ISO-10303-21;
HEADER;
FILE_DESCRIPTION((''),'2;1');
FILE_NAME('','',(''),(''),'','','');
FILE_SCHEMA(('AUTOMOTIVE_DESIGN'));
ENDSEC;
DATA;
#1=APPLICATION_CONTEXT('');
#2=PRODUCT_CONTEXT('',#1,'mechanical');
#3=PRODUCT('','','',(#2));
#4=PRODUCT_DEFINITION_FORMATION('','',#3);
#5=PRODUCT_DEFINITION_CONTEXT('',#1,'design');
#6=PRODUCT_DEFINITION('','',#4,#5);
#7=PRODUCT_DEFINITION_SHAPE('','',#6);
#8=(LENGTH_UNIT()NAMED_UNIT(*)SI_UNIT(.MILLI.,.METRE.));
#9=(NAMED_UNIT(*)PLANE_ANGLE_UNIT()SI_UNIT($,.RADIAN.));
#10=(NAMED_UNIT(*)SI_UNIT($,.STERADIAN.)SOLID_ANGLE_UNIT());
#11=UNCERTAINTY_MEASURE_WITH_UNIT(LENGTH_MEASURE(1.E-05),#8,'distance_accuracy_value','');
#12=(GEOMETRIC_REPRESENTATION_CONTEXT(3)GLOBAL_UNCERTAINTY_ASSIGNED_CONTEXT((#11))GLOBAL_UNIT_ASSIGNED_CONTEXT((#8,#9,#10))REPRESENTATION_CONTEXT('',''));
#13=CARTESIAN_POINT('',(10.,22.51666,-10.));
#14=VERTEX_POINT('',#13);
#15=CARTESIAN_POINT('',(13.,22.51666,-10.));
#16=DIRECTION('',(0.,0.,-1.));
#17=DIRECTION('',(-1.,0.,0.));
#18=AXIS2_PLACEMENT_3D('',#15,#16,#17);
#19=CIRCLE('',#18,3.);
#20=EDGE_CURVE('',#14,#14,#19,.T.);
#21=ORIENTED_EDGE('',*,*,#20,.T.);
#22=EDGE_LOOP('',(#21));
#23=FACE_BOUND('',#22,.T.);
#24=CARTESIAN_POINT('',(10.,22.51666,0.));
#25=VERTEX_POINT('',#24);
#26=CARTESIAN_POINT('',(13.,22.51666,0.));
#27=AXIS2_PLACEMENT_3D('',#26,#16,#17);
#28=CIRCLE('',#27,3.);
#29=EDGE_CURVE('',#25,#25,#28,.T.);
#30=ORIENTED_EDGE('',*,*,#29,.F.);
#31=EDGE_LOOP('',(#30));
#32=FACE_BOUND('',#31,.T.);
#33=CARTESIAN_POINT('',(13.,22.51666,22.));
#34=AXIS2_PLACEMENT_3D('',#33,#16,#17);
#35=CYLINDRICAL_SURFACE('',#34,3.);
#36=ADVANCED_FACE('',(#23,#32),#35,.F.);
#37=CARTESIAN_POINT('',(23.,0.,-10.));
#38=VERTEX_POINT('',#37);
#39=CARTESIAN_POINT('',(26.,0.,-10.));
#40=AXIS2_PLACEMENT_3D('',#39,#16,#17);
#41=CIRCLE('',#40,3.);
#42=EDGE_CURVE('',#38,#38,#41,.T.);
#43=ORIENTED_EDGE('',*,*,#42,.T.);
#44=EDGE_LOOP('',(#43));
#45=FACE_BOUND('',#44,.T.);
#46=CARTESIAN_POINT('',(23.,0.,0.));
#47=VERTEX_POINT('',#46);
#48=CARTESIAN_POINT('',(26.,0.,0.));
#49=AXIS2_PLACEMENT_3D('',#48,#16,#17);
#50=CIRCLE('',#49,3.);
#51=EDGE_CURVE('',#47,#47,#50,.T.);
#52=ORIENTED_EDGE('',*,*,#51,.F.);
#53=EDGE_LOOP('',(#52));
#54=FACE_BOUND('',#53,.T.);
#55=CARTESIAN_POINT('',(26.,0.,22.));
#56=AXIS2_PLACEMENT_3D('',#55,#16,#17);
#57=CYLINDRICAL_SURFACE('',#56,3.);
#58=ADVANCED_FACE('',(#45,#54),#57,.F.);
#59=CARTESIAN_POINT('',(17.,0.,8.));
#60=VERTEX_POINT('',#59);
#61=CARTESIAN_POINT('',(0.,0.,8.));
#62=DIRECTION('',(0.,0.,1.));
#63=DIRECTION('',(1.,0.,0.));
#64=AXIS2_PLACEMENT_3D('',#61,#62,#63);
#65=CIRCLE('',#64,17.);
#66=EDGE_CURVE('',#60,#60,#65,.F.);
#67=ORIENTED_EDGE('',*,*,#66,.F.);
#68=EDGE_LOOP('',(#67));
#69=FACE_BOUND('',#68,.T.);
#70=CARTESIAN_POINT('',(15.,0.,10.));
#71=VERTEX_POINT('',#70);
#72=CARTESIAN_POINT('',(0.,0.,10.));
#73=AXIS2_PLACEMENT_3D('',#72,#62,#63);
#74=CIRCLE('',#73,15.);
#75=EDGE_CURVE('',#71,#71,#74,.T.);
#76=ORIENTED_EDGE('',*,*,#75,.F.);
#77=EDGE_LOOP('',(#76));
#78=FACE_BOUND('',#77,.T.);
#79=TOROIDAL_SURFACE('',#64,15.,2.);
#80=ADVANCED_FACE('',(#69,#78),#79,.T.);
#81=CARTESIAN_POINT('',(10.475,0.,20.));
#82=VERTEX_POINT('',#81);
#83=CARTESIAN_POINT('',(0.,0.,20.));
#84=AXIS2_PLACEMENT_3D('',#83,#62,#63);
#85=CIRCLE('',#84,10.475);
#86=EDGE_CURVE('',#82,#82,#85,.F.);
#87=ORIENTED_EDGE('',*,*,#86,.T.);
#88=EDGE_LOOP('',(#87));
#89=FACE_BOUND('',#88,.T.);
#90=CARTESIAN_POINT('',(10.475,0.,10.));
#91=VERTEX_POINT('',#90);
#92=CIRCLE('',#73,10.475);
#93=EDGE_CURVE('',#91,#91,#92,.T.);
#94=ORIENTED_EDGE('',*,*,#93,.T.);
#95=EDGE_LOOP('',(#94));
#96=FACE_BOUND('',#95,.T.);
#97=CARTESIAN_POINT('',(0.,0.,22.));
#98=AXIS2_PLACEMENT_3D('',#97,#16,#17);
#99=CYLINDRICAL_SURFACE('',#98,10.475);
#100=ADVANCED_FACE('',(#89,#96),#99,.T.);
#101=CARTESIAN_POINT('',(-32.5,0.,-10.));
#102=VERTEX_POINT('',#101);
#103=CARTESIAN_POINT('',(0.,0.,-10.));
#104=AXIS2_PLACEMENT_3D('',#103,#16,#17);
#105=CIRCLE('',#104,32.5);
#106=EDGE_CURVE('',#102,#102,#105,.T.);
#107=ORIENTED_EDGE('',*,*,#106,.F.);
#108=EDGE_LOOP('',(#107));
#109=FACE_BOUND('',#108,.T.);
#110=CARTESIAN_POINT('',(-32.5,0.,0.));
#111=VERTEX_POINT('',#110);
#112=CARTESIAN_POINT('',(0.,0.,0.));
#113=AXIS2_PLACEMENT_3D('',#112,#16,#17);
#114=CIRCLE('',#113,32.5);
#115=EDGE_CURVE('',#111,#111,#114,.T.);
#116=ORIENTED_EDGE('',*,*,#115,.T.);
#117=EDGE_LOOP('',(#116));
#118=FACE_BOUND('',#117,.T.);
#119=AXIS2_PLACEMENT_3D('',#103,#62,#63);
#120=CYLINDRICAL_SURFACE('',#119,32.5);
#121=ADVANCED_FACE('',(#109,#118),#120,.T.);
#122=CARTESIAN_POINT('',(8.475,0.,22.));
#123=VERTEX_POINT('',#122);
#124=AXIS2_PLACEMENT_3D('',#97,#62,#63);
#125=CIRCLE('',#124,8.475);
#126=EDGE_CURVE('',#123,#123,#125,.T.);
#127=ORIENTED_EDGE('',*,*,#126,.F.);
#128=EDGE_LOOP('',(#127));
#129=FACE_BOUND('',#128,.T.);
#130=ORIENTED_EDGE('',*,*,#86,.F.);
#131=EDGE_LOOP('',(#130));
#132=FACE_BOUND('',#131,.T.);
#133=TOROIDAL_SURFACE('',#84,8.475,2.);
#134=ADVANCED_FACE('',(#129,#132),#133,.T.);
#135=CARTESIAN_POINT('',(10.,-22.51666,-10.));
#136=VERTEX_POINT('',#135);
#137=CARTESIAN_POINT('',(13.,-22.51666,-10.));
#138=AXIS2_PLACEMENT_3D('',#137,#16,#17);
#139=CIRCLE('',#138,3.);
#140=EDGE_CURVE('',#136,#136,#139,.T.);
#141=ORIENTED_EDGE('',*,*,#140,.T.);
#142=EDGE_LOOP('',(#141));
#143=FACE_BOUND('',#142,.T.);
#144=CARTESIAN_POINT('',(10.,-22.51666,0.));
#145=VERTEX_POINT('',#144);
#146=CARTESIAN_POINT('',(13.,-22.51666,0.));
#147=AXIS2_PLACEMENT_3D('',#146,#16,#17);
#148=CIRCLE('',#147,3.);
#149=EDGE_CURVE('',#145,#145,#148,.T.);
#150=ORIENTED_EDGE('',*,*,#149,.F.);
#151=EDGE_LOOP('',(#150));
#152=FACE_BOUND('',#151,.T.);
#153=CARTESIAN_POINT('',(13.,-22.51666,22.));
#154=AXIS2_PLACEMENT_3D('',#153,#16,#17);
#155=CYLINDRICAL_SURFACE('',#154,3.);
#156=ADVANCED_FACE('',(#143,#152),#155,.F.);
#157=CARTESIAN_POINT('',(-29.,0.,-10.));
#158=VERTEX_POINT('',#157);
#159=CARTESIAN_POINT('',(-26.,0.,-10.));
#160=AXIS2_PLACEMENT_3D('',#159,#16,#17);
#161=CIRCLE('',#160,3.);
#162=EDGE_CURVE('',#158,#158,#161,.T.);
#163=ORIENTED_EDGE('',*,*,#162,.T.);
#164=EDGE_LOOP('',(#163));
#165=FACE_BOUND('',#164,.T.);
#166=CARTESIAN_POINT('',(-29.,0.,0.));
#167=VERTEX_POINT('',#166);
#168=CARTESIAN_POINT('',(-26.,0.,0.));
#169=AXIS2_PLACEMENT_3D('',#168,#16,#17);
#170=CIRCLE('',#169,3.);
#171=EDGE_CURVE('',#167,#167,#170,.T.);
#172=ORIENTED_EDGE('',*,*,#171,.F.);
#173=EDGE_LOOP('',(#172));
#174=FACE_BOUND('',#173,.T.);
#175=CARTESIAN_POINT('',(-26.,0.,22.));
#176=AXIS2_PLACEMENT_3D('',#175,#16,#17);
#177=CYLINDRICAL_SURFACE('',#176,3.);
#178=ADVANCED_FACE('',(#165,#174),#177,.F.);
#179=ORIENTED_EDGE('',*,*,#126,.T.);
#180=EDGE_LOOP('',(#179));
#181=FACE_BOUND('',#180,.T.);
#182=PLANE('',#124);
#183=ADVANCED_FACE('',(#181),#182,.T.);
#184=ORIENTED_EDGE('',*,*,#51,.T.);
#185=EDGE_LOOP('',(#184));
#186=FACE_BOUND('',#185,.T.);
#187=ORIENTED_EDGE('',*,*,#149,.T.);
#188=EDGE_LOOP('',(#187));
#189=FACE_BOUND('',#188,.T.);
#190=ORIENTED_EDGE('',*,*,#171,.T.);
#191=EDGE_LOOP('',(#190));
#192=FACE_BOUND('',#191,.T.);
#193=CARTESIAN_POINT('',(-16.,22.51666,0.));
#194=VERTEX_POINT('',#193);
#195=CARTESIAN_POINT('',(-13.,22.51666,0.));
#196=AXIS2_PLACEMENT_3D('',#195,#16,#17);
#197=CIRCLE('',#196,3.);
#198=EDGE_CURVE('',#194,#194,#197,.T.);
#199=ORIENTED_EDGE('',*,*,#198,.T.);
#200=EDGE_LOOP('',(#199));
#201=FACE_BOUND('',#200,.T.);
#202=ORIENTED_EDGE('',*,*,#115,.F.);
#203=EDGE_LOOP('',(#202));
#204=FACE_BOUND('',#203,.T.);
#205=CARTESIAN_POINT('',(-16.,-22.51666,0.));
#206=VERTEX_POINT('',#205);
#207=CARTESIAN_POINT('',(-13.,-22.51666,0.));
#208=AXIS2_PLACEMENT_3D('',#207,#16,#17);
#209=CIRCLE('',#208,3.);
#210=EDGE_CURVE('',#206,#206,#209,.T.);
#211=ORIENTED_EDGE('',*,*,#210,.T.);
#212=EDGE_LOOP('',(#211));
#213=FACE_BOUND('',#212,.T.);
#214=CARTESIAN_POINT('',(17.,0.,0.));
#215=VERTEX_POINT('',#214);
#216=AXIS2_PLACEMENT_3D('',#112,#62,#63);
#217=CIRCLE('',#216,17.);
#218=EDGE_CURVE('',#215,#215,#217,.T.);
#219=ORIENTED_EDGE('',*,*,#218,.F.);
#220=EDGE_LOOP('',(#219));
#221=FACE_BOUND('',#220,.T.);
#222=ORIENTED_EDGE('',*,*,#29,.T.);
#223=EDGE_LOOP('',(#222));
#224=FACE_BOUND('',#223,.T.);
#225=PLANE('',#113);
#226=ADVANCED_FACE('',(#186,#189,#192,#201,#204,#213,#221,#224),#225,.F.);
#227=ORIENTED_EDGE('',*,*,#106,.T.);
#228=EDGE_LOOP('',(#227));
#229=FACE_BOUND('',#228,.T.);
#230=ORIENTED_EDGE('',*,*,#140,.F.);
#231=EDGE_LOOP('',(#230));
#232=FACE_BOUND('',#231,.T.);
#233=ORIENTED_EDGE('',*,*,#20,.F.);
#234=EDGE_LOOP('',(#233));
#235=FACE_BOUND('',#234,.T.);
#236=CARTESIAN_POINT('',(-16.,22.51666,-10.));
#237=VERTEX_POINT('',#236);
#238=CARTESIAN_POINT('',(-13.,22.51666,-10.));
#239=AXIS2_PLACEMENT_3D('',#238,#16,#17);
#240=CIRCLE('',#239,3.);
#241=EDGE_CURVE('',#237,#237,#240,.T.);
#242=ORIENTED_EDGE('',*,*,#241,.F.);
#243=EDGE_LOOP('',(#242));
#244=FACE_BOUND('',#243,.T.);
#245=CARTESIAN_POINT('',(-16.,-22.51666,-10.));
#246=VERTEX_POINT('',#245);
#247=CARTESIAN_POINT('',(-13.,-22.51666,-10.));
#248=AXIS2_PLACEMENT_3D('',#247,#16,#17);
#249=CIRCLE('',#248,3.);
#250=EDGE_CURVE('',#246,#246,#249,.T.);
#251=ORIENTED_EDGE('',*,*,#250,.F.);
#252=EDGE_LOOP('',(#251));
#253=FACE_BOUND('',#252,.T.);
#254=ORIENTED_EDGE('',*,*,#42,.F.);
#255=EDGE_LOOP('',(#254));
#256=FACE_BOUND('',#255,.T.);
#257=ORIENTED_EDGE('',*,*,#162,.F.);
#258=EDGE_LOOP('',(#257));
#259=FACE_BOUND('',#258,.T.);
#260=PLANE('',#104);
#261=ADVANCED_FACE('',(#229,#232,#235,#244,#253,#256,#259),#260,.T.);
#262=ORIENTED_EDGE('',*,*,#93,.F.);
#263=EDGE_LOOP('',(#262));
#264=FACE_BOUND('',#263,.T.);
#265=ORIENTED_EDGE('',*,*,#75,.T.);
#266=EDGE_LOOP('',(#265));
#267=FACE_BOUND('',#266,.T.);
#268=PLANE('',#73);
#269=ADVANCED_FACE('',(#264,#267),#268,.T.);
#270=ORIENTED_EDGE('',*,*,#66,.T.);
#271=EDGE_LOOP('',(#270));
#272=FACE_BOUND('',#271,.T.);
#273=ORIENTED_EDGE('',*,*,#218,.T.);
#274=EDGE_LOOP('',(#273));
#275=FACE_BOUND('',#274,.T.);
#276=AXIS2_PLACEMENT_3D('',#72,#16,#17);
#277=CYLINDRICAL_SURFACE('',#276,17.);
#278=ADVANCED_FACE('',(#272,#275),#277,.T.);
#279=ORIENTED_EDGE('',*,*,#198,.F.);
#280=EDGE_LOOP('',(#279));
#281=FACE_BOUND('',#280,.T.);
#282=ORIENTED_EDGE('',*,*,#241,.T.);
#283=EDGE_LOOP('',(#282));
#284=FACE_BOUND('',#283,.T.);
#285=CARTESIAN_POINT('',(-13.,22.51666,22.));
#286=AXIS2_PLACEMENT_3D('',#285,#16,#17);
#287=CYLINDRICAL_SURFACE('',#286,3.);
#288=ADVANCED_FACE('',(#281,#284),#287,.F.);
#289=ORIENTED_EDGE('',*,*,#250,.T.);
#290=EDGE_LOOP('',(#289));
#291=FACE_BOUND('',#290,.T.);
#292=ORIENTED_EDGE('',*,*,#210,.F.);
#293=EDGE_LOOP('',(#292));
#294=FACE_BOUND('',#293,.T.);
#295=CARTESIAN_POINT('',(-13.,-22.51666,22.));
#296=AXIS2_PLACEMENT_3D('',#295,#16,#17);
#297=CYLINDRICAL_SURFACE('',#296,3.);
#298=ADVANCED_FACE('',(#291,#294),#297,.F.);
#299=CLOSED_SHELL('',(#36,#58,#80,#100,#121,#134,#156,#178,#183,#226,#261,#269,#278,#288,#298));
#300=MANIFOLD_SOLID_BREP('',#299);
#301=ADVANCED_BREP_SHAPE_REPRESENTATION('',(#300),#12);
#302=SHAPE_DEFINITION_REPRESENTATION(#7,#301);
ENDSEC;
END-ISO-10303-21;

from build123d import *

# Parameters (mm, degrees)
SKETCH1_R           = 17
BOSS_EXTRUDE1_DEPTH = 10
SKETCH2_R           = 10.475
BOSS_EXTRUDE2_DEPTH = 12
FILLET1_R           = 2
SKETCH3_R           = 32.5
BOSS_EXTRUDE3_DEPTH = 10
SKETCH4_R           = 3
CUT_EXTRUDE1_DEPTH  = 57.004464108


with BuildPart() as part:
    # Sketch1 → Boss-Extrude1 (new body)
    with BuildSketch(Plane.XY):
        Circle(SKETCH1_R)
    extrude(amount=BOSS_EXTRUDE1_DEPTH)

    # Sketch2 → Boss-Extrude2 (add)
    with BuildSketch(Plane.XY.offset(10)):
        Circle(SKETCH2_R)
    extrude(amount=BOSS_EXTRUDE2_DEPTH)

    # Fillet1
    fillet1_edges = [part.edges().sort_by_distance(p)[0] for p in [
        (-17, 0, 10),
        (-10.475, 0, 22),
    ]]
    fillet(fillet1_edges, radius=FILLET1_R)

    # Sketch3 → Boss-Extrude3 (add)
    with BuildSketch(Plane(origin=(0, 0, 0), x_dir=(-1, 0, 0), z_dir=(0, 0, -1))):
        Circle(SKETCH3_R)
    extrude(amount=BOSS_EXTRUDE3_DEPTH)

    # Sketch4 → Cut-Extrude1 (cut, through all)
    with BuildSketch(Plane(origin=(0, 0, -10), x_dir=(-1, 0, 0), z_dir=(0, 0, -1))):
        with Locations((26, 0)):
            Circle(SKETCH4_R)
        with Locations((13, -22.516660498)):
            Circle(SKETCH4_R)
        with Locations((-13, -22.516660498)):
            Circle(SKETCH4_R)
        with Locations((-26, 0)):
            Circle(SKETCH4_R)
        with Locations((-13, 22.516660498)):
            Circle(SKETCH4_R)
        with Locations((13, 22.516660498)):
            Circle(SKETCH4_R)
    extrude(amount=-CUT_EXTRUDE1_DEPTH, mode=Mode.SUBTRACT)


solid = part.part
